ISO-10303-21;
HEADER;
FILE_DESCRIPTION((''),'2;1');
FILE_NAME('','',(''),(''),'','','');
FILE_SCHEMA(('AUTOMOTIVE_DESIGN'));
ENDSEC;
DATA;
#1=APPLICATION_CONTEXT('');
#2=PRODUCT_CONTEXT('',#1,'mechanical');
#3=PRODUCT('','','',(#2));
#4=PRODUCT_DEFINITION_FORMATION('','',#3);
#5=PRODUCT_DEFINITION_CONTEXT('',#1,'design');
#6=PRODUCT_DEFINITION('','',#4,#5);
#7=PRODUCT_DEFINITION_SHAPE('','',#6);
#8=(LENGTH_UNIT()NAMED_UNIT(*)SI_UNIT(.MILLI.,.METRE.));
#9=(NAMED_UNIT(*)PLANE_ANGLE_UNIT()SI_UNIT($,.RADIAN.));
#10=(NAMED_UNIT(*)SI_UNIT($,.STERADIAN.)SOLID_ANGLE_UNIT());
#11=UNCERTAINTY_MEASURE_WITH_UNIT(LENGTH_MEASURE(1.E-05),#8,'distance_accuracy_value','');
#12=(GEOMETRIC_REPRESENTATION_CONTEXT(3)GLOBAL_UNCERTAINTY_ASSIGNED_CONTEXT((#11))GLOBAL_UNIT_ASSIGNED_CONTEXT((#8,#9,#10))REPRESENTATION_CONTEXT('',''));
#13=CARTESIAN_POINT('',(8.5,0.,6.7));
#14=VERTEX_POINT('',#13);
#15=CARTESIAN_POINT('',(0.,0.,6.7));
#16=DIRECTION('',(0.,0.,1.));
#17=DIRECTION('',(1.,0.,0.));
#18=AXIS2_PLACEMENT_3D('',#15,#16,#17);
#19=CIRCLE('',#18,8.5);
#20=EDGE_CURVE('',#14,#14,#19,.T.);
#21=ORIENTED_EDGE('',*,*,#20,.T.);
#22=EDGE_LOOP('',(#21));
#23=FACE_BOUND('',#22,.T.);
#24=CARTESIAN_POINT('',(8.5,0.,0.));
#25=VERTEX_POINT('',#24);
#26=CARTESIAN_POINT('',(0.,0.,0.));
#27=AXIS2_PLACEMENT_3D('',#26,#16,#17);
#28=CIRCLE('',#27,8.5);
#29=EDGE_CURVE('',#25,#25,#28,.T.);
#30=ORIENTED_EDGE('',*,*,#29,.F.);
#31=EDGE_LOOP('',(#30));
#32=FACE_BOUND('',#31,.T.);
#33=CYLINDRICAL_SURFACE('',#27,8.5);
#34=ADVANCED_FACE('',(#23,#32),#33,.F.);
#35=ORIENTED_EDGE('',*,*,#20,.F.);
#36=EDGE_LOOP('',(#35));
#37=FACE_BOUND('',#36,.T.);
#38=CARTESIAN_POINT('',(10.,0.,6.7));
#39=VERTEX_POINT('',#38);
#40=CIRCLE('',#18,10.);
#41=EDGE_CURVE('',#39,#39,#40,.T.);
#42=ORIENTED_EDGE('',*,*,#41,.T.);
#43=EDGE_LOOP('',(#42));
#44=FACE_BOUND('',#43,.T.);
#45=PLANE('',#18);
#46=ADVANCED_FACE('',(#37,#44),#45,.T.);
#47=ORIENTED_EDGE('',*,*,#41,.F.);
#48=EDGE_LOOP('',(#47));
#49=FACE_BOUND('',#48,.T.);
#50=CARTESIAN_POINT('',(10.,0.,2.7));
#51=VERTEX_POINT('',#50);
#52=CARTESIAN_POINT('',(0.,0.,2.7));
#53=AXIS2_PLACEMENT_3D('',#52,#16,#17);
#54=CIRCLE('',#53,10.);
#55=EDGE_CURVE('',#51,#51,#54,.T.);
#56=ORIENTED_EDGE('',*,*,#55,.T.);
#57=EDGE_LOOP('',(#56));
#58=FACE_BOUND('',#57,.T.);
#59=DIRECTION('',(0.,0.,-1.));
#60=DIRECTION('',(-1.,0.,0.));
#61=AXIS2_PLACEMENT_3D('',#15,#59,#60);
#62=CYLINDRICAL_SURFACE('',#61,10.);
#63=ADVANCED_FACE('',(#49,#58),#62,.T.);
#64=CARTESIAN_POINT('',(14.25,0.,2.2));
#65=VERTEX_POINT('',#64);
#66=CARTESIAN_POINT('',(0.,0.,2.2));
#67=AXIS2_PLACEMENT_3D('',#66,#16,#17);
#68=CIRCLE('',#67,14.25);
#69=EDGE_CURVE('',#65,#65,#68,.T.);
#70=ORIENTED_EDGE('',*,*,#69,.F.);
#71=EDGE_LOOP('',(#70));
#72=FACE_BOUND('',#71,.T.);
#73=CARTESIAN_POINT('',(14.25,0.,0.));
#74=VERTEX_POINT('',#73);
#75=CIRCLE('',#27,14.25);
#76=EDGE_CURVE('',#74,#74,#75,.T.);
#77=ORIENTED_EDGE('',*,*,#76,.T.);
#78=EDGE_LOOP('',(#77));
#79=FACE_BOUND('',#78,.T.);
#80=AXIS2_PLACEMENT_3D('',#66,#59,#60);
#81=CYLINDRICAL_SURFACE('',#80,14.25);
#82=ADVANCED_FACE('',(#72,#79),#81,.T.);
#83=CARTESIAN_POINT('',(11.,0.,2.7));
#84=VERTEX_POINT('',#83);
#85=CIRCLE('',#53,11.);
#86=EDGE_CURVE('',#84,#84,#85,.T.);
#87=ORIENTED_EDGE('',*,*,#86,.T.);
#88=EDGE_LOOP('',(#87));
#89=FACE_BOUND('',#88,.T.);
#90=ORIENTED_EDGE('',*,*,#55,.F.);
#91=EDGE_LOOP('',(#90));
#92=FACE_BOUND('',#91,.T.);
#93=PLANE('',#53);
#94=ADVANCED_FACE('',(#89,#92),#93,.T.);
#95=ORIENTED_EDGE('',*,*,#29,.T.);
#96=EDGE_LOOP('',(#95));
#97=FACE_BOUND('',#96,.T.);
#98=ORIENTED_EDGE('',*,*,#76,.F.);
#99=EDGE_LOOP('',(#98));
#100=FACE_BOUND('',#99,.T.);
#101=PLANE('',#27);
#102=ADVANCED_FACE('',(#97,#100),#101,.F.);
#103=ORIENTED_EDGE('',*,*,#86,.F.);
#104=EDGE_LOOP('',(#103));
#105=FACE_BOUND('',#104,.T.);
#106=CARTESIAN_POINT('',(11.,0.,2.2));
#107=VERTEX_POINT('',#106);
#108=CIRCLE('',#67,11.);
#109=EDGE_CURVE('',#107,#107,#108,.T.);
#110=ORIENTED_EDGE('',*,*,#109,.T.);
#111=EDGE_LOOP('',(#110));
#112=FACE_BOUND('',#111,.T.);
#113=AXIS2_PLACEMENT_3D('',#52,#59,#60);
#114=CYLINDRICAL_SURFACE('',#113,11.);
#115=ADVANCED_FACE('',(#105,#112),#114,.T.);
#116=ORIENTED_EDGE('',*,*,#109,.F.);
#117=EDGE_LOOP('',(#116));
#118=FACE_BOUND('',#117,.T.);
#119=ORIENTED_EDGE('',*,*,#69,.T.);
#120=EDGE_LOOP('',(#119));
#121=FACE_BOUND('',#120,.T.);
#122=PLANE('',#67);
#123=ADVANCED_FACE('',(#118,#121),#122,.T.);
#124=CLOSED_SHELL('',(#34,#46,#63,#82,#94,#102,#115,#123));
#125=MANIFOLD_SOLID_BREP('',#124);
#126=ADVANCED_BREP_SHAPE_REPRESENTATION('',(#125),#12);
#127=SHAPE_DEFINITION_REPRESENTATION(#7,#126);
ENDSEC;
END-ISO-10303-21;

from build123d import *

# Parameters (mm, degrees)
SKETCH1_R          = 14.25
EXTRUDE1_DEPTH     = 2.2
SKETCH2_R          = 11
EXTRUDE2_DEPTH     = 0.5
SKETCH3_R          = 10
EXTRUDE3_DEPTH     = 4
SKETCH4_R          = 8.5
CUT_EXTRUDE1_DEPTH = 22.23711374


with BuildPart() as part:
    # Sketch1 → Extrude1 (new body)
    with BuildSketch(Plane.XY):
        Circle(SKETCH1_R)
    extrude(amount=EXTRUDE1_DEPTH)

    # Sketch2 → Extrude2 (add)
    with BuildSketch(Plane.XY.offset(2.2)):
        Circle(SKETCH2_R)
    extrude(amount=EXTRUDE2_DEPTH)

    # Sketch3 → Extrude3 (add)
    with BuildSketch(Plane.XY.offset(2.7)):
        Circle(SKETCH3_R)
    extrude(amount=EXTRUDE3_DEPTH)

    # Sketch4 → Cut-Extrude1 (cut, through all)
    with BuildSketch(Plane.XY.offset(6.7)):
        Circle(SKETCH4_R)
    extrude(amount=-CUT_EXTRUDE1_DEPTH, mode=Mode.SUBTRACT)


solid = part.part
